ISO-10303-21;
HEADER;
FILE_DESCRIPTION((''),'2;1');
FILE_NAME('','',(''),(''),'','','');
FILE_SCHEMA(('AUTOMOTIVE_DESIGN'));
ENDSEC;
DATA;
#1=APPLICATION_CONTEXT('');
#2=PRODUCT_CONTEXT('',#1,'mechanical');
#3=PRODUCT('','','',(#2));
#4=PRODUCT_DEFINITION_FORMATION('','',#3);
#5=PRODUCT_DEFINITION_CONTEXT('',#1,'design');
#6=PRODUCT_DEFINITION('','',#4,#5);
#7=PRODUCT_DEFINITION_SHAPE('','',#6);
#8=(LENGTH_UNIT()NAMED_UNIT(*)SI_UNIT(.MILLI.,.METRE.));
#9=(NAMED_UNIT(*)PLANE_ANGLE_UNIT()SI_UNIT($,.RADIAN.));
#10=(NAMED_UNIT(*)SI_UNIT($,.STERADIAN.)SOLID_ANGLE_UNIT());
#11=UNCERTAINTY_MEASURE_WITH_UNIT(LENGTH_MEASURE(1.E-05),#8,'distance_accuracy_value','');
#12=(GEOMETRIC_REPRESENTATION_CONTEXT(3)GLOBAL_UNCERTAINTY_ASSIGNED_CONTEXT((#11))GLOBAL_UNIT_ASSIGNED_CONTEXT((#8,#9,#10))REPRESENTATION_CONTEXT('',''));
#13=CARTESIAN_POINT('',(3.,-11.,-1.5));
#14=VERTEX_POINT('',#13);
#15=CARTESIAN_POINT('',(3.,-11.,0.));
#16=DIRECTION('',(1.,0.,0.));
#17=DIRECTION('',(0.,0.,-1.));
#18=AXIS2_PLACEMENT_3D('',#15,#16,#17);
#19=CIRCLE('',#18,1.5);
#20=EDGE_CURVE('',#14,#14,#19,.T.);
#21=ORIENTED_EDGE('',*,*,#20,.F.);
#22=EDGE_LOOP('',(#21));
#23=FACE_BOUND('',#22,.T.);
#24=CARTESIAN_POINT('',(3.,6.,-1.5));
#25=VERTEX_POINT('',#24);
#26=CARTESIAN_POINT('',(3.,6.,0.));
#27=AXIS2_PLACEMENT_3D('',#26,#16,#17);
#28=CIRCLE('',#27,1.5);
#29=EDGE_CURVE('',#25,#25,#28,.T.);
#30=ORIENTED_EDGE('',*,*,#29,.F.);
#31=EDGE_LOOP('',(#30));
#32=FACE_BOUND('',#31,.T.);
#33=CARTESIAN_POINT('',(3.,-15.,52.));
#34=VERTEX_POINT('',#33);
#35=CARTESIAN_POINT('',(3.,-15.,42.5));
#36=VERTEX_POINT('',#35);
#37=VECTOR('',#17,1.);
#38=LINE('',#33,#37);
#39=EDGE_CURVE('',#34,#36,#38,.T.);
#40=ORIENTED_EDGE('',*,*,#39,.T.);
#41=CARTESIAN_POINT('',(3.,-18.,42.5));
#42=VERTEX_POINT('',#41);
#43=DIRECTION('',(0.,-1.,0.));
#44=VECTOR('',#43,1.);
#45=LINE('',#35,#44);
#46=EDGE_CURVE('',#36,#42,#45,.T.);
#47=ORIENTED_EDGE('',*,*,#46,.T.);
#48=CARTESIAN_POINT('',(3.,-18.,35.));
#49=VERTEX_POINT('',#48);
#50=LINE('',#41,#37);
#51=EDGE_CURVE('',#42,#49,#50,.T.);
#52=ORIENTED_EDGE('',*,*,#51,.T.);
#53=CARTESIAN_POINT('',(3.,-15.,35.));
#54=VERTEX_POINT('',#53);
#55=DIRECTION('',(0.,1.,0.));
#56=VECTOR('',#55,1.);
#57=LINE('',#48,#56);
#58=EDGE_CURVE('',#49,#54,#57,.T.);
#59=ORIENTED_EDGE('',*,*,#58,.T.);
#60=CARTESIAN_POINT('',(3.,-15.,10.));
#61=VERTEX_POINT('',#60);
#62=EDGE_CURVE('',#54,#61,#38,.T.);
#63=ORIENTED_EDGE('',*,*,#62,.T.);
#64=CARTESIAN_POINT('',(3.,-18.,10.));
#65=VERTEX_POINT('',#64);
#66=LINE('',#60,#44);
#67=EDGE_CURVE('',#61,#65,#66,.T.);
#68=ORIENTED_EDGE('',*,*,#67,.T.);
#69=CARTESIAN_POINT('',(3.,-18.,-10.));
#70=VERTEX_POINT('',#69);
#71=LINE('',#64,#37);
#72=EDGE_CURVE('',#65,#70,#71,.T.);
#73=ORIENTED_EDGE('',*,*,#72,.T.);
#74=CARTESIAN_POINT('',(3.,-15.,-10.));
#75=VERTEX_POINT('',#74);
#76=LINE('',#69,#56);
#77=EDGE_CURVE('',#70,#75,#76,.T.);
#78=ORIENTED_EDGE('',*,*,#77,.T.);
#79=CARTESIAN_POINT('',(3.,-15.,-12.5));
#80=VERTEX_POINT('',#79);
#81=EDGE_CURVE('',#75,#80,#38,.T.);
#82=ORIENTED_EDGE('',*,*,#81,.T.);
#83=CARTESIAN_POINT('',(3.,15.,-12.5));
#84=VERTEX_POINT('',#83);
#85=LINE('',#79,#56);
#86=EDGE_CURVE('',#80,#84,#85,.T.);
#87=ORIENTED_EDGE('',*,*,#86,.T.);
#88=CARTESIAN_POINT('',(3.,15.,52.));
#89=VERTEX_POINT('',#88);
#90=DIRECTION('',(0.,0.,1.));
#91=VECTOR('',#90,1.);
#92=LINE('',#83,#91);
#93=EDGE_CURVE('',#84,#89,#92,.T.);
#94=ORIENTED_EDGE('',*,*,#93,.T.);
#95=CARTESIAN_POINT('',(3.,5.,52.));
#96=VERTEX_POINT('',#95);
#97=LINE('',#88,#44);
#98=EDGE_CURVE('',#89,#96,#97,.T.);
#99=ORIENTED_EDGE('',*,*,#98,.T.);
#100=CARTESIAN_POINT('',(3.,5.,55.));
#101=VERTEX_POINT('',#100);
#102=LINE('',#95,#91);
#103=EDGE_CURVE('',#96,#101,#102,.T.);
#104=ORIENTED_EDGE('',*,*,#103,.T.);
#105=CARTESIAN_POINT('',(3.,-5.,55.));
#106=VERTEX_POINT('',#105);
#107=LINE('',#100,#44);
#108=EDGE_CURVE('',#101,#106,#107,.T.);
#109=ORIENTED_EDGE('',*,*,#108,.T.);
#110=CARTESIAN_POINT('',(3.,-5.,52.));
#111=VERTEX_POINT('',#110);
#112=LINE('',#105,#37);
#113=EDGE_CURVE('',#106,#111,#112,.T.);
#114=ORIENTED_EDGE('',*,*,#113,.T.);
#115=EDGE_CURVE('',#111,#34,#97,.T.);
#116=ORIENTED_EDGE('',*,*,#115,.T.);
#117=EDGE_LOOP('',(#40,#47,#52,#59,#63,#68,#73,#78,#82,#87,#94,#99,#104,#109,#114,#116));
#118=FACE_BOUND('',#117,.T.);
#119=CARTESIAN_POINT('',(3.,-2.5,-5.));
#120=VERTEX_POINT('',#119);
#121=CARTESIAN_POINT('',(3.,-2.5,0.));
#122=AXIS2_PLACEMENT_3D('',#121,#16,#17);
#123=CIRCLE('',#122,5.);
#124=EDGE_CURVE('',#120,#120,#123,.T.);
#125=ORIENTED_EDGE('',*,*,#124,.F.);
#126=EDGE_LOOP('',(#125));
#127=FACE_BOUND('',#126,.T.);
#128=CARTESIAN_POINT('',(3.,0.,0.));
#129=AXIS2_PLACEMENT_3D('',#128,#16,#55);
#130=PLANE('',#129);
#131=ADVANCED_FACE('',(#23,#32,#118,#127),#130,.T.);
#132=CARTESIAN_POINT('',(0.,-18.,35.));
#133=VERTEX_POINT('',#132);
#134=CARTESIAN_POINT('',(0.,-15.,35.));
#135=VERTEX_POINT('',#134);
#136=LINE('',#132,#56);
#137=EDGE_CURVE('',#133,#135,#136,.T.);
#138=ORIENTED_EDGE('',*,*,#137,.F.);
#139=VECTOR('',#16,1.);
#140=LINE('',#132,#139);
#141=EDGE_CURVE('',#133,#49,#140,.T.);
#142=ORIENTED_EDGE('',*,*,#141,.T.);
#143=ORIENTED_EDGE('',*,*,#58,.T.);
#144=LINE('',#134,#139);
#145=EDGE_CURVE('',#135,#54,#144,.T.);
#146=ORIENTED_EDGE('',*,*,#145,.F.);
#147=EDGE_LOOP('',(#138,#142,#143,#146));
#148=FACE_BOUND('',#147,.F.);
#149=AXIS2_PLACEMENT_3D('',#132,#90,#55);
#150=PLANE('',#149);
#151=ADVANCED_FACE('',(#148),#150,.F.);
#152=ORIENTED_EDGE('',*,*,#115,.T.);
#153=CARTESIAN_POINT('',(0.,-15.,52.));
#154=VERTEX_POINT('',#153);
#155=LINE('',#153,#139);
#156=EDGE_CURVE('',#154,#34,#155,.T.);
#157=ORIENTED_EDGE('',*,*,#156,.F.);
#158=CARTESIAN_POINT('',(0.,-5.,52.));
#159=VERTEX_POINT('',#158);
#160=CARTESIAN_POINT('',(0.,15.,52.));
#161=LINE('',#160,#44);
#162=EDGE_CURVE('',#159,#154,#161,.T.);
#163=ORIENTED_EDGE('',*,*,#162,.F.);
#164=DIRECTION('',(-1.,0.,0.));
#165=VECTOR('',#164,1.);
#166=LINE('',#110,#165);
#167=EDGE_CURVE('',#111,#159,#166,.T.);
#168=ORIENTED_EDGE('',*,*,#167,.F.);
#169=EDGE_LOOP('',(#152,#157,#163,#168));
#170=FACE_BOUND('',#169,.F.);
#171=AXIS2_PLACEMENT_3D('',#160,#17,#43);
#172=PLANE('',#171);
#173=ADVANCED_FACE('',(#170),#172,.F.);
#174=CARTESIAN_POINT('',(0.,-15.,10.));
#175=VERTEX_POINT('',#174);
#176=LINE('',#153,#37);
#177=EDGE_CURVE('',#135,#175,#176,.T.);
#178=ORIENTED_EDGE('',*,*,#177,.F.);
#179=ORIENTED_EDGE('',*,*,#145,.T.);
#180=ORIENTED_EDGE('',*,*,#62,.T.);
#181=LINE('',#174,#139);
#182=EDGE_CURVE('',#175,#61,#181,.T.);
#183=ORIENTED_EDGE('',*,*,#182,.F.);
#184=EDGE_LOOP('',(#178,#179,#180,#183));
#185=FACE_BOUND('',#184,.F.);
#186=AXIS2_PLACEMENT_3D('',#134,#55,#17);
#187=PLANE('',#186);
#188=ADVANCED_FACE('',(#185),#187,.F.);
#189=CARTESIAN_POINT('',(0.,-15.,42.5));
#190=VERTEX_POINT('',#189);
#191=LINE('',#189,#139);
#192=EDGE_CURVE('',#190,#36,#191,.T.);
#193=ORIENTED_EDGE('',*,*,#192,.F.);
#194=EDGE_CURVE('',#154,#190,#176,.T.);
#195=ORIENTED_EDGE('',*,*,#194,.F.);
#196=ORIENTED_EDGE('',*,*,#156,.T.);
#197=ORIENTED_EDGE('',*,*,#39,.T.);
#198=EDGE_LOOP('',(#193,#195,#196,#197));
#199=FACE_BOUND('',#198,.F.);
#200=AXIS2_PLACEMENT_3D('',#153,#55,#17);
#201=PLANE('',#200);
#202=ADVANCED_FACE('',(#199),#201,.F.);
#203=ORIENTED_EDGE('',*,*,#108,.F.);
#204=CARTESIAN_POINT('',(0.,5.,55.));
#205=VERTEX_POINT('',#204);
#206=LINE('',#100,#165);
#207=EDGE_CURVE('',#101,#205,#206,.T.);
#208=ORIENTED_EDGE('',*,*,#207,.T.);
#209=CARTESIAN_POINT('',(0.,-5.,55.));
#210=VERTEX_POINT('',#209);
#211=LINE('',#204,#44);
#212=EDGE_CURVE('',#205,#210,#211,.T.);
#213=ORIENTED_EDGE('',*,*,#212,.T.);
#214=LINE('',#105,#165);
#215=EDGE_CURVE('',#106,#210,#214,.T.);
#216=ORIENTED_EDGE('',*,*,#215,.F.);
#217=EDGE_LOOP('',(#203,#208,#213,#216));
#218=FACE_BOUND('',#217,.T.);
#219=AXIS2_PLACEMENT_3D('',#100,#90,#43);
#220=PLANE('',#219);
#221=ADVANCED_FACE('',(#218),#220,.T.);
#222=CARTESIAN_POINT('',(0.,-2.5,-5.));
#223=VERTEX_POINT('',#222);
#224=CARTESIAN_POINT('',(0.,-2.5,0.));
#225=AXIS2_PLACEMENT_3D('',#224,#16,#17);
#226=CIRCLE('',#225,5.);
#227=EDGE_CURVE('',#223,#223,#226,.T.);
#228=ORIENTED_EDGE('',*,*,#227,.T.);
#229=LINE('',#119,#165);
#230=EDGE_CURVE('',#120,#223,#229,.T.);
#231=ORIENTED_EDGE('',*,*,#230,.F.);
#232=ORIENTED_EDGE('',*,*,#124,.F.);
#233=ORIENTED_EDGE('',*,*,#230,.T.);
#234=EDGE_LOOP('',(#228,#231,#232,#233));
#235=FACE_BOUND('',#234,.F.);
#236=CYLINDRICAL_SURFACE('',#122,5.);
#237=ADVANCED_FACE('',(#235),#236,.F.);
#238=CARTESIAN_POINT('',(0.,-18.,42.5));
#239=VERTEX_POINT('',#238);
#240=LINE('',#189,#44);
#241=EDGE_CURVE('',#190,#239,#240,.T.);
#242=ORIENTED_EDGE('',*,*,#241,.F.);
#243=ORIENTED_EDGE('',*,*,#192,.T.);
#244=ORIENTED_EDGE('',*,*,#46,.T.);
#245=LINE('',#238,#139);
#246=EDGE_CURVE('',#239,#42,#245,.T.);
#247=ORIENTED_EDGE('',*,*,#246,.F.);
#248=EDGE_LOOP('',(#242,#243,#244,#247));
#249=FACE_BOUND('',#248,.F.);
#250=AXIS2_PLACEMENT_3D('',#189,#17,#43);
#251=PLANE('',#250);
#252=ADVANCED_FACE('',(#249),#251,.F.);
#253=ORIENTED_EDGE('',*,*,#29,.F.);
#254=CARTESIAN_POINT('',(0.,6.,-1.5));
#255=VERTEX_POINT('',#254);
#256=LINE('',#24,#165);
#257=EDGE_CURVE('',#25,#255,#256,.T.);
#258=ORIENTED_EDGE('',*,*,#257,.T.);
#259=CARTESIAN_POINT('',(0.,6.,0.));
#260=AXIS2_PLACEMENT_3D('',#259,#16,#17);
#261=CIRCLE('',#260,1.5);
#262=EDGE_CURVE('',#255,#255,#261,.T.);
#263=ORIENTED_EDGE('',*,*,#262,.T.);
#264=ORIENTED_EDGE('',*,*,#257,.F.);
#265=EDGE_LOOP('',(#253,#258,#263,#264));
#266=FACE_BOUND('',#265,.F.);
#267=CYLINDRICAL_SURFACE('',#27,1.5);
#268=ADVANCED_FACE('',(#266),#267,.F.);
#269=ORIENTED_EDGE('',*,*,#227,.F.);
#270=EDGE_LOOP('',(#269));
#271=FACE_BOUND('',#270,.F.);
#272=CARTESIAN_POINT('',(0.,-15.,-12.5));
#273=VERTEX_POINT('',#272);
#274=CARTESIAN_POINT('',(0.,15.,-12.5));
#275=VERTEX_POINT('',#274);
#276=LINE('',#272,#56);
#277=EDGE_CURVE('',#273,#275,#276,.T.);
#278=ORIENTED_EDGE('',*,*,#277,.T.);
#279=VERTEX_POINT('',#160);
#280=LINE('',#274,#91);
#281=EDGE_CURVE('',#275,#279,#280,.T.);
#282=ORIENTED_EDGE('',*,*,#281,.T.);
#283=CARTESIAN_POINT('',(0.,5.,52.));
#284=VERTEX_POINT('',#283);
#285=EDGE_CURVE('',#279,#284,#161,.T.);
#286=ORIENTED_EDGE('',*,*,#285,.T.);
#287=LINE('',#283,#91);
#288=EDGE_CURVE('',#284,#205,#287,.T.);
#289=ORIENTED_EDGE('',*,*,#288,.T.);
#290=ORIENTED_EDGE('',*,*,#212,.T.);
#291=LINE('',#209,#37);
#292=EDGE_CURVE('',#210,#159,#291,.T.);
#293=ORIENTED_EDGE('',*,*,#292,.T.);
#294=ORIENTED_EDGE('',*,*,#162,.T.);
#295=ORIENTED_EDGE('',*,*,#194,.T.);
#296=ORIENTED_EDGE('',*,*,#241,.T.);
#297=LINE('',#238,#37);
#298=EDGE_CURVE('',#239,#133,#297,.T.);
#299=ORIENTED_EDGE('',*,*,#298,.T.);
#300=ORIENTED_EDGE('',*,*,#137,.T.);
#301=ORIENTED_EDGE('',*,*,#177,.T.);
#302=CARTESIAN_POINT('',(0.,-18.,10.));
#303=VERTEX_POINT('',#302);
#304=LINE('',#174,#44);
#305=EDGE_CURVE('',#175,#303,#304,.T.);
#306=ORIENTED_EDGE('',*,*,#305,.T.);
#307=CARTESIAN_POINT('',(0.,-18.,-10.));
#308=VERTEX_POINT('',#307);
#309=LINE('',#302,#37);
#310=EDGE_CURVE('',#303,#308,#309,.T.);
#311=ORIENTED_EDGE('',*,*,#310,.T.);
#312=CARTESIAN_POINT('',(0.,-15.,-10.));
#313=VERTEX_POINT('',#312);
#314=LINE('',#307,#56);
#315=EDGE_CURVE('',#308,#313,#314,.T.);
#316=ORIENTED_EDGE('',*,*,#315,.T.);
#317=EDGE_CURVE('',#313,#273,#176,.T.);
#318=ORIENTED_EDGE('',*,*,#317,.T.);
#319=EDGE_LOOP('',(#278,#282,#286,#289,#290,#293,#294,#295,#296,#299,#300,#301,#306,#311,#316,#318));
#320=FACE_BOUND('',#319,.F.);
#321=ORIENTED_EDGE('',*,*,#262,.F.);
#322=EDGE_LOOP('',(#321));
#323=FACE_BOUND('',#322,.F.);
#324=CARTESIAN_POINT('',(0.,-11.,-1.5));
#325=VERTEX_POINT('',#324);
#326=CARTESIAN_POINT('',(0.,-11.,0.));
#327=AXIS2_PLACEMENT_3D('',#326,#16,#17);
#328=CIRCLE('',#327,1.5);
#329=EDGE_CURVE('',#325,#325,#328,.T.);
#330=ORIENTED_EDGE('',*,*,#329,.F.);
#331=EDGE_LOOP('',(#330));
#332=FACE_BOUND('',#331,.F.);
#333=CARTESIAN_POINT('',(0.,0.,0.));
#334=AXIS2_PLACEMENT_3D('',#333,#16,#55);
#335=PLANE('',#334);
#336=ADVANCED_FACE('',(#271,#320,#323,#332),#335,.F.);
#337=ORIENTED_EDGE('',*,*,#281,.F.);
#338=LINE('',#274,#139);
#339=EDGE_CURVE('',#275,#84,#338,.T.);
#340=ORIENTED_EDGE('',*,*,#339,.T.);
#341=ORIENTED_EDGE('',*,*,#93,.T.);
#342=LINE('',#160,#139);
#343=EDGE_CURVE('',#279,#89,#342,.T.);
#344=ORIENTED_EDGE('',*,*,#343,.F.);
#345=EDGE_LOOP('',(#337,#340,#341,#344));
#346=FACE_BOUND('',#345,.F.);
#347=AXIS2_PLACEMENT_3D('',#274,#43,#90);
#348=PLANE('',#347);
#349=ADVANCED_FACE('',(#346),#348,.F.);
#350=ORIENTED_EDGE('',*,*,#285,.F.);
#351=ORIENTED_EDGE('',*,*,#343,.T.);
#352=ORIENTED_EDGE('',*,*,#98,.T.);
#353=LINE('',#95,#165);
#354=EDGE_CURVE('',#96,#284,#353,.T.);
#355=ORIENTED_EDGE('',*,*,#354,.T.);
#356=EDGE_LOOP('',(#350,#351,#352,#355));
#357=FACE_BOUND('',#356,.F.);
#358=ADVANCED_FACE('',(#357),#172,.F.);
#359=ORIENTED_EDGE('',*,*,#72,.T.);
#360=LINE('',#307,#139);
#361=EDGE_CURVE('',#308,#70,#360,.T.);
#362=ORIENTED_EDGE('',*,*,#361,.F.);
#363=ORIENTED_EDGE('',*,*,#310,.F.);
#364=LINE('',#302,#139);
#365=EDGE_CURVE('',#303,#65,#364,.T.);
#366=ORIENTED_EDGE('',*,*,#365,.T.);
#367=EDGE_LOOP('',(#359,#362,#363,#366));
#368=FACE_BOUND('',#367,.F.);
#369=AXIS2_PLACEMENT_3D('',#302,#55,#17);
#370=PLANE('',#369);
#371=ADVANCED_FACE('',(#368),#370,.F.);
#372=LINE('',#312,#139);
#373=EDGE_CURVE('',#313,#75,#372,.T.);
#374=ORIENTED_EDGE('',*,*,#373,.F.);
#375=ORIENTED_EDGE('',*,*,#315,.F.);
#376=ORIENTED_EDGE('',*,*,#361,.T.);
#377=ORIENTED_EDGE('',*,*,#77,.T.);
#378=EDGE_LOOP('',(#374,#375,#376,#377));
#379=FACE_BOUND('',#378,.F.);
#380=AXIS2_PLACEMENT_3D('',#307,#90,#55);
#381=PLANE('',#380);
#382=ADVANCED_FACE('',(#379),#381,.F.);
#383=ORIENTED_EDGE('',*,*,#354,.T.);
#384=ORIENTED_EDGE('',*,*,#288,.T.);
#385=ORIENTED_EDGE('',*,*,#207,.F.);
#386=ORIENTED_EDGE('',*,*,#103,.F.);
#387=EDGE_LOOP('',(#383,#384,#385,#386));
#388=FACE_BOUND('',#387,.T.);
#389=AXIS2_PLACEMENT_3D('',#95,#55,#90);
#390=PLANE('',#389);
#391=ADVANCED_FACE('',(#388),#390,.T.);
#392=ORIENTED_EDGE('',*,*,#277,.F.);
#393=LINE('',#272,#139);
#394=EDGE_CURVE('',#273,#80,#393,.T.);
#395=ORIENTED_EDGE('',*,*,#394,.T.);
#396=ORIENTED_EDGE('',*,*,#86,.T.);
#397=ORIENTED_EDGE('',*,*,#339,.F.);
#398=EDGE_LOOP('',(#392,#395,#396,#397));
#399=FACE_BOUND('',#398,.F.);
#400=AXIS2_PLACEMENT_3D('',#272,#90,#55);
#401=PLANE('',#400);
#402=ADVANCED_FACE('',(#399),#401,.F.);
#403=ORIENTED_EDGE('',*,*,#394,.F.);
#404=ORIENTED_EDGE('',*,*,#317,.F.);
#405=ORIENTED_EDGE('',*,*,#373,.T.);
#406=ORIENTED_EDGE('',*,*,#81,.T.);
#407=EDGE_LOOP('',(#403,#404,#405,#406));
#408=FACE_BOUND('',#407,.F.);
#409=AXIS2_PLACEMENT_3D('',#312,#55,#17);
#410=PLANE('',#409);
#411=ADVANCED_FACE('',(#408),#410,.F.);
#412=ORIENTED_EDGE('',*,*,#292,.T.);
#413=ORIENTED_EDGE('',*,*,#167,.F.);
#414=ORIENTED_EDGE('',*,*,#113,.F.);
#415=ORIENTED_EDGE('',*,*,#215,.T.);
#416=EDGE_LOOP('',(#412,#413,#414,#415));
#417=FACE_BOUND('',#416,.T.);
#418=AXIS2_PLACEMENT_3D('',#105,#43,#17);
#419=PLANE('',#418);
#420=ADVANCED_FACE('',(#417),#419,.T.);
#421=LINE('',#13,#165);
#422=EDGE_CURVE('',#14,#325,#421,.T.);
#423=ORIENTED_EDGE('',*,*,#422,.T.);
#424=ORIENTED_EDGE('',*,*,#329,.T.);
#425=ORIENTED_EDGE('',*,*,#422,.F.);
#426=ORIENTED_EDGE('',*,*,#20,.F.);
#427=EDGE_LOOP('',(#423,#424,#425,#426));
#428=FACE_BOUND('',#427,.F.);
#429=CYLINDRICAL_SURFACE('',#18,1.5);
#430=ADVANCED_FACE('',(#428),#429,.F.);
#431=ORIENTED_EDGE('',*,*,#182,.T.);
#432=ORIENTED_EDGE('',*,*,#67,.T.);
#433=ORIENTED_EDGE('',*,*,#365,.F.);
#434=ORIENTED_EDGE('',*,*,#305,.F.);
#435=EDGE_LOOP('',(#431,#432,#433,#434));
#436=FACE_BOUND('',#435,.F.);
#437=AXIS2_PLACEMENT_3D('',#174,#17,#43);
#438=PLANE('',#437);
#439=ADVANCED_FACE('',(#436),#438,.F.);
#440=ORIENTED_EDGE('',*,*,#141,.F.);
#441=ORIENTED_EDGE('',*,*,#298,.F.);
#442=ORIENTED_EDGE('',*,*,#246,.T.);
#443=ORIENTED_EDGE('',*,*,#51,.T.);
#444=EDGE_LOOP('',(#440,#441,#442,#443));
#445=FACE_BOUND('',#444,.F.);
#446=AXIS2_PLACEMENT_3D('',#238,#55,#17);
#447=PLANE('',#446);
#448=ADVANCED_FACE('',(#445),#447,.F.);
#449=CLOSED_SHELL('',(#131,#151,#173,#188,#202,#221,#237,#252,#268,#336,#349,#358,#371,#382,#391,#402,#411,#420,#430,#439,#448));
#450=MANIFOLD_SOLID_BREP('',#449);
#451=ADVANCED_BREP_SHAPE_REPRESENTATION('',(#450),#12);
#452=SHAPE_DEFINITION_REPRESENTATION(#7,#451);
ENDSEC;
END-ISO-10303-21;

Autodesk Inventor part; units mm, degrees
ref_plane "YZ Plane" through (0, 0, 0) normal (1, 0, 0) x (0, 1, 0)
ref_plane "XZ Plane" through (0, 0, 0) normal (0, 1, 0) x (-1, 0, 0)
ref_plane "XY Plane" through (0, 0, 0) normal (0, 0, 1) x (1, 0, 0)
sketch "Sketch1" plane through (0, 0, 0) normal (1, 0, 0) x (0, 1, 0)
  line L0 (15, 52) -> (-15, 52)
  line L1 (-15, 52) -> (-15, -12.5)
  line L2 (-15, -12.5) -> (15, -12.5)
  line L3 (15, -12.5) -> (15, 52)
  line L4 (-15, 10) -> (-18, 10)
  line L5 (-18, 10) -> (-18, -10)
  line L6 (-18, -10) -> (-15, -10)
  line L7 (-15, -10) -> (-15, 10)
  line L8 (-15, 42.5) -> (-18, 42.5)
  line L9 (-18, 42.5) -> (-18, 35)
  line L10 (-18, 35) -> (-15, 35)
  line L11 (-15, 35) -> (-15, 42.5)
  point P0 (0, 0)
  point P1 (0, -12.5)
  point P2 (-18, 0)
  dimension "d0" = 52
  dimension "d1" = 12.5
  dimension "d2" = 3
  dimension "d3" = 20
  dimension "d4" = 7.5
  dimension "d5" = 25
  dimension "d8" = 30
extrude "Extrusion1" add sketch "Sketch1" along normal blind 3
sketch "Sketch2" plane through (3, 0, 0) normal (1, 0, 0) x (0, 0, -1)
  circle A0 centre (0, -2.5) radius 5
  circle A1 centre (0, 6) radius 1.5
  circle A2 centre (0, -11) radius 1.5
  line L0 (-10, -18) -> (10, -18) projected
  line L1 (-35, -15) -> (-10, -15) projected
  point P0 (0, -18)
  dimension "d9" = 10
  dimension "d10" = 3
  dimension "d11" = 3
  dimension "d12" = 17
  dimension "d13" = 8.5
  dimension "d20" = 12.5
extrude "Extrusion2" cut sketch "Sketch2" against normal blind 3
sketch "Sketch3" plane through (3, 0, 0) normal (1, 0, 0) x (0, 0, -1)
  line L0 (-52, 15) -> (-52, -15) projected
  line L1 (-52, 5) -> (-55, 5)
  line L2 (-55, 5) -> (-55, -5)
  line L3 (-55, -5) -> (-52, -5)
  line L4 (-52, -5) -> (-52, 5)
  point P0 (0, 0)
  point P1 (-55, 0)
  dimension "d16" = 3
  dimension "d17" = 10
extrude "Extrusion3" add sketch "Sketch3" against normal blind 3
equation "\"d13\" = 0.5 * d12"
properties part number "Motor support"
